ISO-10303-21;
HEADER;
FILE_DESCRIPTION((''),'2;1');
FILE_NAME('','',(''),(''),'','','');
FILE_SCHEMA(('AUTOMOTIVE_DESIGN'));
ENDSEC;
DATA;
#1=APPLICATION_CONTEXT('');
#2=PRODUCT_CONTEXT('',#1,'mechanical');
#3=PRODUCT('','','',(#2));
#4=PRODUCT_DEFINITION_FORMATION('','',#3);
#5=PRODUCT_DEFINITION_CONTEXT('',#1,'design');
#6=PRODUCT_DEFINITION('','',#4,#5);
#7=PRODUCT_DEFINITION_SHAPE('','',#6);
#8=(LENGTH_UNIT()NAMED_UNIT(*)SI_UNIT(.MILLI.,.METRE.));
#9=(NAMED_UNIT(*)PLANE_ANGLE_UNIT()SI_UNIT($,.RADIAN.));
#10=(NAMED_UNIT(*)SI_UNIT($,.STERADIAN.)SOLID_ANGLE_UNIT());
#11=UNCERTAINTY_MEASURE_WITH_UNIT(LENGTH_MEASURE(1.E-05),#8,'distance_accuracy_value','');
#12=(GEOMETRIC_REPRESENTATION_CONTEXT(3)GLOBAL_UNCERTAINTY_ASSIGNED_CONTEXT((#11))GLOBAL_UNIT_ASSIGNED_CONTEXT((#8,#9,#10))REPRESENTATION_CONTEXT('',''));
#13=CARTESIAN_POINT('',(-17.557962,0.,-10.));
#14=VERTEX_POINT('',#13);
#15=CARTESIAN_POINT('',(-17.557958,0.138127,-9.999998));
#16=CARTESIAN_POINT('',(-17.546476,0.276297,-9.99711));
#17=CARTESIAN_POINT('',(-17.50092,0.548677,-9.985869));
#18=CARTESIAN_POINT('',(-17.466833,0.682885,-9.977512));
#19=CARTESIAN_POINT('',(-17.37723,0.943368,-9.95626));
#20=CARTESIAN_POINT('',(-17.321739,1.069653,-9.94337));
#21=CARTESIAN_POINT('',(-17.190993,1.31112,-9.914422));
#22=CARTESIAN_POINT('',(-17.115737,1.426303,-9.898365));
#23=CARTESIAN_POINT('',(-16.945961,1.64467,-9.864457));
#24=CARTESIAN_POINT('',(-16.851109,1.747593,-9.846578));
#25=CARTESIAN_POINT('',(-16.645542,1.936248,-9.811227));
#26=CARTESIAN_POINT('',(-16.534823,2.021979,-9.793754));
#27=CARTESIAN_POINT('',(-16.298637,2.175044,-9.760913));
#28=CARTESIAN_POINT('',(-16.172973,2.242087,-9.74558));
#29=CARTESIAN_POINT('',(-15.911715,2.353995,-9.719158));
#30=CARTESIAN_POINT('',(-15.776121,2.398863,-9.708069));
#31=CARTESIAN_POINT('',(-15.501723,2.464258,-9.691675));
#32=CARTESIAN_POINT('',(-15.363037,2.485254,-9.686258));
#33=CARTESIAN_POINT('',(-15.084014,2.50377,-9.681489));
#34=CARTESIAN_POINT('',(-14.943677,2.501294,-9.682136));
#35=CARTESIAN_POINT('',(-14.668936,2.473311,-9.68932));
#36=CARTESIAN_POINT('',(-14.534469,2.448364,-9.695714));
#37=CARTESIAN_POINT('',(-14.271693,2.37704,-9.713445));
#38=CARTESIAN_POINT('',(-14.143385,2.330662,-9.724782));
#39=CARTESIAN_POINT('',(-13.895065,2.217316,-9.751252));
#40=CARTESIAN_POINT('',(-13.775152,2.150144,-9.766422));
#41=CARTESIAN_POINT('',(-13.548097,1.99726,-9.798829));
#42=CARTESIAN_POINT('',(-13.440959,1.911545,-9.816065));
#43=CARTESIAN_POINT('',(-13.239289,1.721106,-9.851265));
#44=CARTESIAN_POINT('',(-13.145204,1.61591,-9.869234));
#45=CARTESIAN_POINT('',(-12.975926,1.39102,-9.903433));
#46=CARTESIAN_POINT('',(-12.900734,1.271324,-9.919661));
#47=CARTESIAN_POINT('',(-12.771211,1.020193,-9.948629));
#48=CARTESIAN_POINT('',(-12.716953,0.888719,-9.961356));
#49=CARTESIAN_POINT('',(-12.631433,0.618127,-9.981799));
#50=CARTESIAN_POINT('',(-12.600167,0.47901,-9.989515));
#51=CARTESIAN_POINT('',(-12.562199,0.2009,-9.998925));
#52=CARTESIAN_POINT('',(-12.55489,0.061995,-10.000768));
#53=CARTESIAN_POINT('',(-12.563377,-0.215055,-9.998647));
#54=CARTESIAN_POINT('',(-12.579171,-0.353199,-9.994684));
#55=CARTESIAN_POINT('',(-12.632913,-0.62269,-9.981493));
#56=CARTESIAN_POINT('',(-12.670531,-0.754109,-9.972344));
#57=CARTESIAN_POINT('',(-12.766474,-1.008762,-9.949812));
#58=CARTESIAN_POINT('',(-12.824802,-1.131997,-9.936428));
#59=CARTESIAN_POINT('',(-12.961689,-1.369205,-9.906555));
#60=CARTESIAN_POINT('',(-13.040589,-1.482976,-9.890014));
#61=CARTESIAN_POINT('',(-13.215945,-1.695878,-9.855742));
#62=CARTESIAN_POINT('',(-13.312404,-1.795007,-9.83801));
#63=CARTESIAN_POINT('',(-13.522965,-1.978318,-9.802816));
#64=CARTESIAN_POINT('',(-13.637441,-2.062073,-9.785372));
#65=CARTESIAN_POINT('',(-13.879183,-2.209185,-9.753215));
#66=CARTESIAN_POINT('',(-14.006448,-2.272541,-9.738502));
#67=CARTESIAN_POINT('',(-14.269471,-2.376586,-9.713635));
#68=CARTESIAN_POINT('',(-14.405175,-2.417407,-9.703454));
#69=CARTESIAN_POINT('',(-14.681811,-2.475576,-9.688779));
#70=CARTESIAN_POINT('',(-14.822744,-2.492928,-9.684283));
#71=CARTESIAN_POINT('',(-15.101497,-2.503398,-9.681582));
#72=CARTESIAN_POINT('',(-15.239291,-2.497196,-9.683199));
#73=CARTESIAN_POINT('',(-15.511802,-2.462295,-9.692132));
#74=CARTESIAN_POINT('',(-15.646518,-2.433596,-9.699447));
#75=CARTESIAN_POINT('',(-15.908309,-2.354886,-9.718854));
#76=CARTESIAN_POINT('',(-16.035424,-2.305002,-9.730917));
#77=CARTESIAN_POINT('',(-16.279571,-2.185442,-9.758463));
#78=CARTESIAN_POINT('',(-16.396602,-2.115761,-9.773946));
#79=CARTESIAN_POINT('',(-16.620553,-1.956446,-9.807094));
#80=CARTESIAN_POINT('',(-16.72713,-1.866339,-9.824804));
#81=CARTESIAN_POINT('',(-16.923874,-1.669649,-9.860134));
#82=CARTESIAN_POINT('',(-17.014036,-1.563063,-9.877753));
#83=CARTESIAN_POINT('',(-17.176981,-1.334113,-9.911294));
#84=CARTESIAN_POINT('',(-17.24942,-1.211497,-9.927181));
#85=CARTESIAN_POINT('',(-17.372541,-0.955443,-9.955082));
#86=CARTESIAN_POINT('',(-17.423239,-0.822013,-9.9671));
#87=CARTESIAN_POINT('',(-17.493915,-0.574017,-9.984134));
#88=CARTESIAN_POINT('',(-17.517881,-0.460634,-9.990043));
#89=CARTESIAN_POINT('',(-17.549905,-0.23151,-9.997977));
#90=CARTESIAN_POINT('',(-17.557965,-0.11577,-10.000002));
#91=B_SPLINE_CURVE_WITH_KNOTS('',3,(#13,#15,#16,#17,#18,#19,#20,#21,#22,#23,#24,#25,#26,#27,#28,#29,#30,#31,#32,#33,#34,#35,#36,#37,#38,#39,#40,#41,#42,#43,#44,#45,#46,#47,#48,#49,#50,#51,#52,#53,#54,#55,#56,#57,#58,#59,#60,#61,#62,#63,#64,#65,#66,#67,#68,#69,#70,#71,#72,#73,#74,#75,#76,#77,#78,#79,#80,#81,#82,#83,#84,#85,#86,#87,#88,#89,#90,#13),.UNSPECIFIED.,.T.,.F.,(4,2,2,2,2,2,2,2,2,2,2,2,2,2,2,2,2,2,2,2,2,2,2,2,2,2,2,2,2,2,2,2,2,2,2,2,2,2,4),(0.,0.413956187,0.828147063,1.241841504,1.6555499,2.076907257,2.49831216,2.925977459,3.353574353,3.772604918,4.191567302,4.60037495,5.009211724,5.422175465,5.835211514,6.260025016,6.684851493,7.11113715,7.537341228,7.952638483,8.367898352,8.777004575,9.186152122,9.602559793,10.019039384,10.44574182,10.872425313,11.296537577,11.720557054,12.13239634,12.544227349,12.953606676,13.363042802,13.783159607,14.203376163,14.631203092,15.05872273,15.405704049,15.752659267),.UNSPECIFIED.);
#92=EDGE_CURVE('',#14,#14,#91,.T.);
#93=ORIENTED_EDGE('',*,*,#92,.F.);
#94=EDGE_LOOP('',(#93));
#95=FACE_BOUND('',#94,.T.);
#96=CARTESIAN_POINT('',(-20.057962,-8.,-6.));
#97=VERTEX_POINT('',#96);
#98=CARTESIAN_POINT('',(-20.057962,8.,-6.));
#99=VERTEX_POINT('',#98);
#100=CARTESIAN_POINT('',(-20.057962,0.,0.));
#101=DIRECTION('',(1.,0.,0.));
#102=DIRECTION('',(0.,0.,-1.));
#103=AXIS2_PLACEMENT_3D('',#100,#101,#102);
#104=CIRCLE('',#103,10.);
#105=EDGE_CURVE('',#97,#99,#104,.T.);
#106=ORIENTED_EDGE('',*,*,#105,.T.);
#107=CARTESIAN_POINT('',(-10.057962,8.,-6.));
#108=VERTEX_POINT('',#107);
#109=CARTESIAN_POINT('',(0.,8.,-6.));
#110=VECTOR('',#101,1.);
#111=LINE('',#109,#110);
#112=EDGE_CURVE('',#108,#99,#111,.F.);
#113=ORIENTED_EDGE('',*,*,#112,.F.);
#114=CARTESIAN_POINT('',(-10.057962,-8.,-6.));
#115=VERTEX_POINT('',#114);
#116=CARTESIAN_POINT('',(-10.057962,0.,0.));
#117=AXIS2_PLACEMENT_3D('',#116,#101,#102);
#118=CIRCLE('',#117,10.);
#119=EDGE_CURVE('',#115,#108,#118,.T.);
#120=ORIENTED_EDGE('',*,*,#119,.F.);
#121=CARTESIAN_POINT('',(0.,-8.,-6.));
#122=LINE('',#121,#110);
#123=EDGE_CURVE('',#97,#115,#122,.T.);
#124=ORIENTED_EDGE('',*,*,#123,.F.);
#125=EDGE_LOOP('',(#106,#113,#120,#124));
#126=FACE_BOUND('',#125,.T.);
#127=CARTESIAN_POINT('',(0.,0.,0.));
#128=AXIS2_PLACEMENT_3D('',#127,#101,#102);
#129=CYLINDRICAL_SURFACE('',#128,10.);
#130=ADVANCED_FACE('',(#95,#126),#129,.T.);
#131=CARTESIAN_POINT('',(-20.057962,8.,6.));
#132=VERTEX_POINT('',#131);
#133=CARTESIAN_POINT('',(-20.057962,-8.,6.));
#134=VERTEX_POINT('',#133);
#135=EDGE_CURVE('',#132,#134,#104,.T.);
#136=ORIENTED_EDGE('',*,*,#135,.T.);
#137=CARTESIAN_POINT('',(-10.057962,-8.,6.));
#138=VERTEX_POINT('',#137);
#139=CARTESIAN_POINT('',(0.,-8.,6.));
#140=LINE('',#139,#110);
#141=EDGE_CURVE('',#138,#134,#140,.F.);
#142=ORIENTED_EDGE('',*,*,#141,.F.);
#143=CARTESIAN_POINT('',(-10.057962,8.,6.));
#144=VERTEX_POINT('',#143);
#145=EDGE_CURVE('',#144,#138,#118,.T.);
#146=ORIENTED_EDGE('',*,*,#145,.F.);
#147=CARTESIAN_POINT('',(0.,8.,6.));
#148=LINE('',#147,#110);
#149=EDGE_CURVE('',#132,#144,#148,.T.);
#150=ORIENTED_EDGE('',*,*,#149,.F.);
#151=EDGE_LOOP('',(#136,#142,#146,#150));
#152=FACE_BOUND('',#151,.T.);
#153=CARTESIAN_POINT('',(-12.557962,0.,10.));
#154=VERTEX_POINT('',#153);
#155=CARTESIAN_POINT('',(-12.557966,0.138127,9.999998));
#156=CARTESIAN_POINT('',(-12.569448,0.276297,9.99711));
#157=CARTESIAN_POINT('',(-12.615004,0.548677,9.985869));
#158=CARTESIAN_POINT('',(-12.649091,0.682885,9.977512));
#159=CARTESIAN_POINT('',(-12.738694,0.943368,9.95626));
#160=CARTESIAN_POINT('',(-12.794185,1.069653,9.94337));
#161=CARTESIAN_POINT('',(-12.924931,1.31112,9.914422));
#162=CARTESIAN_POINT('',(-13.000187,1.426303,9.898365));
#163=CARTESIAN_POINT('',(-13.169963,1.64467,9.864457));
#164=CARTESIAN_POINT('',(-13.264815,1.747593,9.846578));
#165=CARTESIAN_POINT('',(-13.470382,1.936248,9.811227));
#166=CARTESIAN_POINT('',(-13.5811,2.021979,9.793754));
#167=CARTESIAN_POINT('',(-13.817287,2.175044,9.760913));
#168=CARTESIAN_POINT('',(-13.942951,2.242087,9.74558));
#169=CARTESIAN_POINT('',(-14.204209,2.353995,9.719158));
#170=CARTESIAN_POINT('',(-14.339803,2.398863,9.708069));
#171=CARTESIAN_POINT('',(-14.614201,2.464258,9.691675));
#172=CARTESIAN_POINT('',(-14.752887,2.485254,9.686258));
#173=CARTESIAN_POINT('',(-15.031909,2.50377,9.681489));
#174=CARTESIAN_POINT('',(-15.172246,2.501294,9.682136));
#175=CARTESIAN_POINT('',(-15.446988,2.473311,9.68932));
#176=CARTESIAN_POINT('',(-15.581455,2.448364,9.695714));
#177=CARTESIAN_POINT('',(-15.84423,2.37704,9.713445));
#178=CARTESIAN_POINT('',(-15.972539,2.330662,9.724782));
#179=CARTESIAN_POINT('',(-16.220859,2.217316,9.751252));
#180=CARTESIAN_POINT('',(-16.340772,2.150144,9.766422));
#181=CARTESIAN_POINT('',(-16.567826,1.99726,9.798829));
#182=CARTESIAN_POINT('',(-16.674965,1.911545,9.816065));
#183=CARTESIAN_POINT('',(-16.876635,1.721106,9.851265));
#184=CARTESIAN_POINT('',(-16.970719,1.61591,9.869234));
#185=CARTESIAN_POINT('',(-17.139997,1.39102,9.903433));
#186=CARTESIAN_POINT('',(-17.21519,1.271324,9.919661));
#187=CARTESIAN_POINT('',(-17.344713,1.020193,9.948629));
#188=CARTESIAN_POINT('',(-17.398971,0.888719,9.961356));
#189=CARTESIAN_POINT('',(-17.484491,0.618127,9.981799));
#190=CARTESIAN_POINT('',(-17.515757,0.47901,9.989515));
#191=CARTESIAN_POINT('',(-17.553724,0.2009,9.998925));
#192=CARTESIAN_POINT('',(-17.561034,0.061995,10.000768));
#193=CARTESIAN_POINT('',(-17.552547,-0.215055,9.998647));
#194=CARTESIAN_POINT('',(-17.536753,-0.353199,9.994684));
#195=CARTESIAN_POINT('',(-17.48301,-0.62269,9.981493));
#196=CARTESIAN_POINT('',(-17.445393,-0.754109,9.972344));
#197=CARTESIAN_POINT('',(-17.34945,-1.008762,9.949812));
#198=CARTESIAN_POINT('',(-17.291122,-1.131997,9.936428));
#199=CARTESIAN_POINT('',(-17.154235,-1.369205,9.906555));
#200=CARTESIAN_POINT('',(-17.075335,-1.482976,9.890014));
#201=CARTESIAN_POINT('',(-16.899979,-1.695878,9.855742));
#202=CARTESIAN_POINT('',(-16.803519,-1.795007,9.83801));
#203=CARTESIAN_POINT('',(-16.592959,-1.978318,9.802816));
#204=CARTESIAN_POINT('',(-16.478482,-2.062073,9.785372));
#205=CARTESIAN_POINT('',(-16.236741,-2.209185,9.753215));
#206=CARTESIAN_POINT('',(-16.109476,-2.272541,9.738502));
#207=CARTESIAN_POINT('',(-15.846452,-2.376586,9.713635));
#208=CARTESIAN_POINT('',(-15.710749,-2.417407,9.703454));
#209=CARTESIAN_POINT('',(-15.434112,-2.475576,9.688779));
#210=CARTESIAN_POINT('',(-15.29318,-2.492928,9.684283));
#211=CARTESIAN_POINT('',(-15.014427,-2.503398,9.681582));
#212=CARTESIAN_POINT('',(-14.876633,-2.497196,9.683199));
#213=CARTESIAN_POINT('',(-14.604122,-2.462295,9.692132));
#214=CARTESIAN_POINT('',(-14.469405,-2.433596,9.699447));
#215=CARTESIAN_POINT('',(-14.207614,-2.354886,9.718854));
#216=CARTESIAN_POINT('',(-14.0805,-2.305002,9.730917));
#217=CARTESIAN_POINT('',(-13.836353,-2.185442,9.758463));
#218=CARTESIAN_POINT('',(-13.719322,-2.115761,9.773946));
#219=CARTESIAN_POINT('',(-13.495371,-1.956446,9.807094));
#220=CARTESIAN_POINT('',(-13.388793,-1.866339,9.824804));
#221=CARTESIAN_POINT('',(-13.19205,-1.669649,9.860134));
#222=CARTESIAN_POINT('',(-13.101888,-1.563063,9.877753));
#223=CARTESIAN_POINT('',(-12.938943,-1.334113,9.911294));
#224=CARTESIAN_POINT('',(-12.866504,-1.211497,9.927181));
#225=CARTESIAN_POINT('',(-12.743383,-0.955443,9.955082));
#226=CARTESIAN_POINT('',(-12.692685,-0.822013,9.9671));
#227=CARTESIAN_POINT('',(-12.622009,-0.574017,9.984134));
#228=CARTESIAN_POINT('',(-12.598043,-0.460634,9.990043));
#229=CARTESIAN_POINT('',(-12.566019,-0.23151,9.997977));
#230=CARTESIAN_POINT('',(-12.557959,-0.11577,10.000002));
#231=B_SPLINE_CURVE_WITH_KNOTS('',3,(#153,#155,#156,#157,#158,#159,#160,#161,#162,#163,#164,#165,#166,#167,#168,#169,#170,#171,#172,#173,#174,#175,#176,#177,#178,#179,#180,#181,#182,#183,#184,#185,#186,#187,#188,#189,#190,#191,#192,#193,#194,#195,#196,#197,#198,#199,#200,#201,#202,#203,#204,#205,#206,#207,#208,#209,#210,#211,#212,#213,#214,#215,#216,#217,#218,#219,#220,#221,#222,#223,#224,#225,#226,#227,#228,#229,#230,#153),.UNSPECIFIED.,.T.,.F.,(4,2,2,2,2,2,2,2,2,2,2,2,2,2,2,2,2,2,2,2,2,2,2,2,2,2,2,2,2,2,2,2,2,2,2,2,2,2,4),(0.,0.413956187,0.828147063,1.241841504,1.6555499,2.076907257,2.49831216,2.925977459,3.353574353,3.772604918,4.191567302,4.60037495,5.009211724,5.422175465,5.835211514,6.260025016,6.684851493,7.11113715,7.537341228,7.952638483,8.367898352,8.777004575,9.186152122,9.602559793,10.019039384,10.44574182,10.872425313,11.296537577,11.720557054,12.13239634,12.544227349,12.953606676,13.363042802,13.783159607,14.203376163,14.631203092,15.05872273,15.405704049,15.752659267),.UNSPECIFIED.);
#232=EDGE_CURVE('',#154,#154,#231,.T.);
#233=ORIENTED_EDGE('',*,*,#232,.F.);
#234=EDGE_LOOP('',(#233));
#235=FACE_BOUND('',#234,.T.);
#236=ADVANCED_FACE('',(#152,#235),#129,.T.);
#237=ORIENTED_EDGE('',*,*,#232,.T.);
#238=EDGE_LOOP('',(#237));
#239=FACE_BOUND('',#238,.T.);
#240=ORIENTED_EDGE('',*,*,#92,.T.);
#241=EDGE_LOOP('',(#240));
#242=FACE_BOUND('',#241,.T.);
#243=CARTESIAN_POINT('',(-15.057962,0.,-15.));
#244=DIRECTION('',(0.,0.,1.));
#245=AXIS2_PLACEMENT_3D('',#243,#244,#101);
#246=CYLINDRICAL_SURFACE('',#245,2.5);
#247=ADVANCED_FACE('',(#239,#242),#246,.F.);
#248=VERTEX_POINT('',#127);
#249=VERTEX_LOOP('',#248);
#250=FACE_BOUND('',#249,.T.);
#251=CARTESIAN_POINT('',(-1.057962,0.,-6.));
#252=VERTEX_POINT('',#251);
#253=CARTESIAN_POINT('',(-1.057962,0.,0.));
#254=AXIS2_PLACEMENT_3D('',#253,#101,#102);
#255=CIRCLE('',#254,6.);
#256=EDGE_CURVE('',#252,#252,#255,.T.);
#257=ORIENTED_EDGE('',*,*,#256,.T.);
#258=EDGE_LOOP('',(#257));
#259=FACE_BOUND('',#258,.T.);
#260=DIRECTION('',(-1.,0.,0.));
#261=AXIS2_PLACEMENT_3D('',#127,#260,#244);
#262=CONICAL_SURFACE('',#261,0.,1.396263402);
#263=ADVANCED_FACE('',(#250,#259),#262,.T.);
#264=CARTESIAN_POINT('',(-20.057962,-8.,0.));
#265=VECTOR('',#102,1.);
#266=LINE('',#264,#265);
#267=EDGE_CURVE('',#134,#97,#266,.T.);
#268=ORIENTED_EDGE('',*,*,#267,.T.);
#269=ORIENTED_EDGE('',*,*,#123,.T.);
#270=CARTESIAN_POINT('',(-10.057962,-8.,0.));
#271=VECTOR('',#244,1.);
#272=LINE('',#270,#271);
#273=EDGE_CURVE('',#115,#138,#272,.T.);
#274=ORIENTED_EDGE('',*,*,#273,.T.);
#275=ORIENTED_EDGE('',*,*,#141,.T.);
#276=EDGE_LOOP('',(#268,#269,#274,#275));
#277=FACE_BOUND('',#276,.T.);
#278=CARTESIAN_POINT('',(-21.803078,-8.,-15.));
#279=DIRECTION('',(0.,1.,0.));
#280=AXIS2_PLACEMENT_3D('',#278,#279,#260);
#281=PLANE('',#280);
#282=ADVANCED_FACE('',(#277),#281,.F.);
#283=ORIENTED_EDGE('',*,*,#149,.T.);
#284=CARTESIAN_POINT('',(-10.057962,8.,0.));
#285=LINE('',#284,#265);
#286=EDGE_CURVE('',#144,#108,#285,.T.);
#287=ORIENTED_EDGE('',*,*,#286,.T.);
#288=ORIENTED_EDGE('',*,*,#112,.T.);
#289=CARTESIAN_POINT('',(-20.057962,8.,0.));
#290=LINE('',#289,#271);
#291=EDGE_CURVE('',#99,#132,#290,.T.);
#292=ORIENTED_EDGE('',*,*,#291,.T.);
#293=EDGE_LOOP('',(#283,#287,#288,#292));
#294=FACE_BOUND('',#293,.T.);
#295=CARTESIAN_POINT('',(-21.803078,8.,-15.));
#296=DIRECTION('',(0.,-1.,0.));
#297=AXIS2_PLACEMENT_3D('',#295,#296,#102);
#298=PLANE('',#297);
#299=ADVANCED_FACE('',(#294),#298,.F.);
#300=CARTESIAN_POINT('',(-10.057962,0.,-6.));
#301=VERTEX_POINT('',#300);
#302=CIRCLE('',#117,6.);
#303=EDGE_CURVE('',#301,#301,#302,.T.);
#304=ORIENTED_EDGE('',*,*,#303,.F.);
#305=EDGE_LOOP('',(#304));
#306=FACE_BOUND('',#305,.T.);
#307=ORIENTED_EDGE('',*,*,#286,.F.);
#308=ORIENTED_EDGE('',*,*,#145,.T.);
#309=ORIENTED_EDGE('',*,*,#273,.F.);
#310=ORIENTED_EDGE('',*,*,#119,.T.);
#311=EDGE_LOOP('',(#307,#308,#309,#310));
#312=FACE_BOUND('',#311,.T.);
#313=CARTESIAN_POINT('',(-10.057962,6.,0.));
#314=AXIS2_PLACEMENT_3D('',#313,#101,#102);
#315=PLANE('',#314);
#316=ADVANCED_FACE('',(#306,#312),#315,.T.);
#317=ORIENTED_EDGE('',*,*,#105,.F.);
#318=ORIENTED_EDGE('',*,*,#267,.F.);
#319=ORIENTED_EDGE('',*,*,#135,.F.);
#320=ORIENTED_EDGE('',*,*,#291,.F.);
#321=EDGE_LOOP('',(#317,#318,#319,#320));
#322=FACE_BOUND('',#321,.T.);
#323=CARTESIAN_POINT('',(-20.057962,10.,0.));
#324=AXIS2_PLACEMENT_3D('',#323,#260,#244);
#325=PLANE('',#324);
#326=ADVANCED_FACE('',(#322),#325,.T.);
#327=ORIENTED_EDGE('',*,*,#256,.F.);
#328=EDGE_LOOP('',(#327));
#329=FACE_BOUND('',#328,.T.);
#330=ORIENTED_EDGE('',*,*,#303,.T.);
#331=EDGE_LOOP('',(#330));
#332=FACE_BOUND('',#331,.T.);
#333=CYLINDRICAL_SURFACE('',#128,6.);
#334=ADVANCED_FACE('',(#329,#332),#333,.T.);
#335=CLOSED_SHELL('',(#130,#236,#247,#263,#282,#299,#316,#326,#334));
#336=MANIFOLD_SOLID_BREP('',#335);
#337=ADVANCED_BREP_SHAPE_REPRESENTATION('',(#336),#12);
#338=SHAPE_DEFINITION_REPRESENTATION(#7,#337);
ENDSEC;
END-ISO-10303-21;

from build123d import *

# Parameters (mm, degrees)
SKETCH_2_R          = 2.5
SKETCH_2_W          = 13.733275584
SKETCH_2_H          = 7.68132945
CUT_EXTRUDE_1_DEPTH = 15


with BuildPart() as part:
    # Эскиз1 → Повернуть1 (revolve)
    with BuildSketch(Plane.XY, mode=Mode.PRIVATE) as revolve_1_sk:
        Polygon((0, 0), (-1.057961884, 6), (-10.057961884, 6), (-10.057961884, 10), (-20.057961884, 10), (-20.057961884, 0), align=None)
    revolve(revolve_1_sk.sketch.rotate(Axis((0, 0, 0), (-1, 0, 0)), 90), axis=Axis((0, 0, 0), (-1, 0, 0)))

    # Эскиз2 → Вырез-Вытянуть1 (cut, symmetric)
    with BuildSketch(Plane.XY):
        with Locations((-15.057961884, 0)):
            Circle(SKETCH_2_R)
        with Locations((-14.936439869, -11.840664725)):
            Rectangle(SKETCH_2_W, SKETCH_2_H)
        with Locations((-14.936439869, 11.840664725)):
            Rectangle(SKETCH_2_W, SKETCH_2_H)
    extrude(amount=CUT_EXTRUDE_1_DEPTH, both=True, mode=Mode.SUBTRACT)


solid = part.part
